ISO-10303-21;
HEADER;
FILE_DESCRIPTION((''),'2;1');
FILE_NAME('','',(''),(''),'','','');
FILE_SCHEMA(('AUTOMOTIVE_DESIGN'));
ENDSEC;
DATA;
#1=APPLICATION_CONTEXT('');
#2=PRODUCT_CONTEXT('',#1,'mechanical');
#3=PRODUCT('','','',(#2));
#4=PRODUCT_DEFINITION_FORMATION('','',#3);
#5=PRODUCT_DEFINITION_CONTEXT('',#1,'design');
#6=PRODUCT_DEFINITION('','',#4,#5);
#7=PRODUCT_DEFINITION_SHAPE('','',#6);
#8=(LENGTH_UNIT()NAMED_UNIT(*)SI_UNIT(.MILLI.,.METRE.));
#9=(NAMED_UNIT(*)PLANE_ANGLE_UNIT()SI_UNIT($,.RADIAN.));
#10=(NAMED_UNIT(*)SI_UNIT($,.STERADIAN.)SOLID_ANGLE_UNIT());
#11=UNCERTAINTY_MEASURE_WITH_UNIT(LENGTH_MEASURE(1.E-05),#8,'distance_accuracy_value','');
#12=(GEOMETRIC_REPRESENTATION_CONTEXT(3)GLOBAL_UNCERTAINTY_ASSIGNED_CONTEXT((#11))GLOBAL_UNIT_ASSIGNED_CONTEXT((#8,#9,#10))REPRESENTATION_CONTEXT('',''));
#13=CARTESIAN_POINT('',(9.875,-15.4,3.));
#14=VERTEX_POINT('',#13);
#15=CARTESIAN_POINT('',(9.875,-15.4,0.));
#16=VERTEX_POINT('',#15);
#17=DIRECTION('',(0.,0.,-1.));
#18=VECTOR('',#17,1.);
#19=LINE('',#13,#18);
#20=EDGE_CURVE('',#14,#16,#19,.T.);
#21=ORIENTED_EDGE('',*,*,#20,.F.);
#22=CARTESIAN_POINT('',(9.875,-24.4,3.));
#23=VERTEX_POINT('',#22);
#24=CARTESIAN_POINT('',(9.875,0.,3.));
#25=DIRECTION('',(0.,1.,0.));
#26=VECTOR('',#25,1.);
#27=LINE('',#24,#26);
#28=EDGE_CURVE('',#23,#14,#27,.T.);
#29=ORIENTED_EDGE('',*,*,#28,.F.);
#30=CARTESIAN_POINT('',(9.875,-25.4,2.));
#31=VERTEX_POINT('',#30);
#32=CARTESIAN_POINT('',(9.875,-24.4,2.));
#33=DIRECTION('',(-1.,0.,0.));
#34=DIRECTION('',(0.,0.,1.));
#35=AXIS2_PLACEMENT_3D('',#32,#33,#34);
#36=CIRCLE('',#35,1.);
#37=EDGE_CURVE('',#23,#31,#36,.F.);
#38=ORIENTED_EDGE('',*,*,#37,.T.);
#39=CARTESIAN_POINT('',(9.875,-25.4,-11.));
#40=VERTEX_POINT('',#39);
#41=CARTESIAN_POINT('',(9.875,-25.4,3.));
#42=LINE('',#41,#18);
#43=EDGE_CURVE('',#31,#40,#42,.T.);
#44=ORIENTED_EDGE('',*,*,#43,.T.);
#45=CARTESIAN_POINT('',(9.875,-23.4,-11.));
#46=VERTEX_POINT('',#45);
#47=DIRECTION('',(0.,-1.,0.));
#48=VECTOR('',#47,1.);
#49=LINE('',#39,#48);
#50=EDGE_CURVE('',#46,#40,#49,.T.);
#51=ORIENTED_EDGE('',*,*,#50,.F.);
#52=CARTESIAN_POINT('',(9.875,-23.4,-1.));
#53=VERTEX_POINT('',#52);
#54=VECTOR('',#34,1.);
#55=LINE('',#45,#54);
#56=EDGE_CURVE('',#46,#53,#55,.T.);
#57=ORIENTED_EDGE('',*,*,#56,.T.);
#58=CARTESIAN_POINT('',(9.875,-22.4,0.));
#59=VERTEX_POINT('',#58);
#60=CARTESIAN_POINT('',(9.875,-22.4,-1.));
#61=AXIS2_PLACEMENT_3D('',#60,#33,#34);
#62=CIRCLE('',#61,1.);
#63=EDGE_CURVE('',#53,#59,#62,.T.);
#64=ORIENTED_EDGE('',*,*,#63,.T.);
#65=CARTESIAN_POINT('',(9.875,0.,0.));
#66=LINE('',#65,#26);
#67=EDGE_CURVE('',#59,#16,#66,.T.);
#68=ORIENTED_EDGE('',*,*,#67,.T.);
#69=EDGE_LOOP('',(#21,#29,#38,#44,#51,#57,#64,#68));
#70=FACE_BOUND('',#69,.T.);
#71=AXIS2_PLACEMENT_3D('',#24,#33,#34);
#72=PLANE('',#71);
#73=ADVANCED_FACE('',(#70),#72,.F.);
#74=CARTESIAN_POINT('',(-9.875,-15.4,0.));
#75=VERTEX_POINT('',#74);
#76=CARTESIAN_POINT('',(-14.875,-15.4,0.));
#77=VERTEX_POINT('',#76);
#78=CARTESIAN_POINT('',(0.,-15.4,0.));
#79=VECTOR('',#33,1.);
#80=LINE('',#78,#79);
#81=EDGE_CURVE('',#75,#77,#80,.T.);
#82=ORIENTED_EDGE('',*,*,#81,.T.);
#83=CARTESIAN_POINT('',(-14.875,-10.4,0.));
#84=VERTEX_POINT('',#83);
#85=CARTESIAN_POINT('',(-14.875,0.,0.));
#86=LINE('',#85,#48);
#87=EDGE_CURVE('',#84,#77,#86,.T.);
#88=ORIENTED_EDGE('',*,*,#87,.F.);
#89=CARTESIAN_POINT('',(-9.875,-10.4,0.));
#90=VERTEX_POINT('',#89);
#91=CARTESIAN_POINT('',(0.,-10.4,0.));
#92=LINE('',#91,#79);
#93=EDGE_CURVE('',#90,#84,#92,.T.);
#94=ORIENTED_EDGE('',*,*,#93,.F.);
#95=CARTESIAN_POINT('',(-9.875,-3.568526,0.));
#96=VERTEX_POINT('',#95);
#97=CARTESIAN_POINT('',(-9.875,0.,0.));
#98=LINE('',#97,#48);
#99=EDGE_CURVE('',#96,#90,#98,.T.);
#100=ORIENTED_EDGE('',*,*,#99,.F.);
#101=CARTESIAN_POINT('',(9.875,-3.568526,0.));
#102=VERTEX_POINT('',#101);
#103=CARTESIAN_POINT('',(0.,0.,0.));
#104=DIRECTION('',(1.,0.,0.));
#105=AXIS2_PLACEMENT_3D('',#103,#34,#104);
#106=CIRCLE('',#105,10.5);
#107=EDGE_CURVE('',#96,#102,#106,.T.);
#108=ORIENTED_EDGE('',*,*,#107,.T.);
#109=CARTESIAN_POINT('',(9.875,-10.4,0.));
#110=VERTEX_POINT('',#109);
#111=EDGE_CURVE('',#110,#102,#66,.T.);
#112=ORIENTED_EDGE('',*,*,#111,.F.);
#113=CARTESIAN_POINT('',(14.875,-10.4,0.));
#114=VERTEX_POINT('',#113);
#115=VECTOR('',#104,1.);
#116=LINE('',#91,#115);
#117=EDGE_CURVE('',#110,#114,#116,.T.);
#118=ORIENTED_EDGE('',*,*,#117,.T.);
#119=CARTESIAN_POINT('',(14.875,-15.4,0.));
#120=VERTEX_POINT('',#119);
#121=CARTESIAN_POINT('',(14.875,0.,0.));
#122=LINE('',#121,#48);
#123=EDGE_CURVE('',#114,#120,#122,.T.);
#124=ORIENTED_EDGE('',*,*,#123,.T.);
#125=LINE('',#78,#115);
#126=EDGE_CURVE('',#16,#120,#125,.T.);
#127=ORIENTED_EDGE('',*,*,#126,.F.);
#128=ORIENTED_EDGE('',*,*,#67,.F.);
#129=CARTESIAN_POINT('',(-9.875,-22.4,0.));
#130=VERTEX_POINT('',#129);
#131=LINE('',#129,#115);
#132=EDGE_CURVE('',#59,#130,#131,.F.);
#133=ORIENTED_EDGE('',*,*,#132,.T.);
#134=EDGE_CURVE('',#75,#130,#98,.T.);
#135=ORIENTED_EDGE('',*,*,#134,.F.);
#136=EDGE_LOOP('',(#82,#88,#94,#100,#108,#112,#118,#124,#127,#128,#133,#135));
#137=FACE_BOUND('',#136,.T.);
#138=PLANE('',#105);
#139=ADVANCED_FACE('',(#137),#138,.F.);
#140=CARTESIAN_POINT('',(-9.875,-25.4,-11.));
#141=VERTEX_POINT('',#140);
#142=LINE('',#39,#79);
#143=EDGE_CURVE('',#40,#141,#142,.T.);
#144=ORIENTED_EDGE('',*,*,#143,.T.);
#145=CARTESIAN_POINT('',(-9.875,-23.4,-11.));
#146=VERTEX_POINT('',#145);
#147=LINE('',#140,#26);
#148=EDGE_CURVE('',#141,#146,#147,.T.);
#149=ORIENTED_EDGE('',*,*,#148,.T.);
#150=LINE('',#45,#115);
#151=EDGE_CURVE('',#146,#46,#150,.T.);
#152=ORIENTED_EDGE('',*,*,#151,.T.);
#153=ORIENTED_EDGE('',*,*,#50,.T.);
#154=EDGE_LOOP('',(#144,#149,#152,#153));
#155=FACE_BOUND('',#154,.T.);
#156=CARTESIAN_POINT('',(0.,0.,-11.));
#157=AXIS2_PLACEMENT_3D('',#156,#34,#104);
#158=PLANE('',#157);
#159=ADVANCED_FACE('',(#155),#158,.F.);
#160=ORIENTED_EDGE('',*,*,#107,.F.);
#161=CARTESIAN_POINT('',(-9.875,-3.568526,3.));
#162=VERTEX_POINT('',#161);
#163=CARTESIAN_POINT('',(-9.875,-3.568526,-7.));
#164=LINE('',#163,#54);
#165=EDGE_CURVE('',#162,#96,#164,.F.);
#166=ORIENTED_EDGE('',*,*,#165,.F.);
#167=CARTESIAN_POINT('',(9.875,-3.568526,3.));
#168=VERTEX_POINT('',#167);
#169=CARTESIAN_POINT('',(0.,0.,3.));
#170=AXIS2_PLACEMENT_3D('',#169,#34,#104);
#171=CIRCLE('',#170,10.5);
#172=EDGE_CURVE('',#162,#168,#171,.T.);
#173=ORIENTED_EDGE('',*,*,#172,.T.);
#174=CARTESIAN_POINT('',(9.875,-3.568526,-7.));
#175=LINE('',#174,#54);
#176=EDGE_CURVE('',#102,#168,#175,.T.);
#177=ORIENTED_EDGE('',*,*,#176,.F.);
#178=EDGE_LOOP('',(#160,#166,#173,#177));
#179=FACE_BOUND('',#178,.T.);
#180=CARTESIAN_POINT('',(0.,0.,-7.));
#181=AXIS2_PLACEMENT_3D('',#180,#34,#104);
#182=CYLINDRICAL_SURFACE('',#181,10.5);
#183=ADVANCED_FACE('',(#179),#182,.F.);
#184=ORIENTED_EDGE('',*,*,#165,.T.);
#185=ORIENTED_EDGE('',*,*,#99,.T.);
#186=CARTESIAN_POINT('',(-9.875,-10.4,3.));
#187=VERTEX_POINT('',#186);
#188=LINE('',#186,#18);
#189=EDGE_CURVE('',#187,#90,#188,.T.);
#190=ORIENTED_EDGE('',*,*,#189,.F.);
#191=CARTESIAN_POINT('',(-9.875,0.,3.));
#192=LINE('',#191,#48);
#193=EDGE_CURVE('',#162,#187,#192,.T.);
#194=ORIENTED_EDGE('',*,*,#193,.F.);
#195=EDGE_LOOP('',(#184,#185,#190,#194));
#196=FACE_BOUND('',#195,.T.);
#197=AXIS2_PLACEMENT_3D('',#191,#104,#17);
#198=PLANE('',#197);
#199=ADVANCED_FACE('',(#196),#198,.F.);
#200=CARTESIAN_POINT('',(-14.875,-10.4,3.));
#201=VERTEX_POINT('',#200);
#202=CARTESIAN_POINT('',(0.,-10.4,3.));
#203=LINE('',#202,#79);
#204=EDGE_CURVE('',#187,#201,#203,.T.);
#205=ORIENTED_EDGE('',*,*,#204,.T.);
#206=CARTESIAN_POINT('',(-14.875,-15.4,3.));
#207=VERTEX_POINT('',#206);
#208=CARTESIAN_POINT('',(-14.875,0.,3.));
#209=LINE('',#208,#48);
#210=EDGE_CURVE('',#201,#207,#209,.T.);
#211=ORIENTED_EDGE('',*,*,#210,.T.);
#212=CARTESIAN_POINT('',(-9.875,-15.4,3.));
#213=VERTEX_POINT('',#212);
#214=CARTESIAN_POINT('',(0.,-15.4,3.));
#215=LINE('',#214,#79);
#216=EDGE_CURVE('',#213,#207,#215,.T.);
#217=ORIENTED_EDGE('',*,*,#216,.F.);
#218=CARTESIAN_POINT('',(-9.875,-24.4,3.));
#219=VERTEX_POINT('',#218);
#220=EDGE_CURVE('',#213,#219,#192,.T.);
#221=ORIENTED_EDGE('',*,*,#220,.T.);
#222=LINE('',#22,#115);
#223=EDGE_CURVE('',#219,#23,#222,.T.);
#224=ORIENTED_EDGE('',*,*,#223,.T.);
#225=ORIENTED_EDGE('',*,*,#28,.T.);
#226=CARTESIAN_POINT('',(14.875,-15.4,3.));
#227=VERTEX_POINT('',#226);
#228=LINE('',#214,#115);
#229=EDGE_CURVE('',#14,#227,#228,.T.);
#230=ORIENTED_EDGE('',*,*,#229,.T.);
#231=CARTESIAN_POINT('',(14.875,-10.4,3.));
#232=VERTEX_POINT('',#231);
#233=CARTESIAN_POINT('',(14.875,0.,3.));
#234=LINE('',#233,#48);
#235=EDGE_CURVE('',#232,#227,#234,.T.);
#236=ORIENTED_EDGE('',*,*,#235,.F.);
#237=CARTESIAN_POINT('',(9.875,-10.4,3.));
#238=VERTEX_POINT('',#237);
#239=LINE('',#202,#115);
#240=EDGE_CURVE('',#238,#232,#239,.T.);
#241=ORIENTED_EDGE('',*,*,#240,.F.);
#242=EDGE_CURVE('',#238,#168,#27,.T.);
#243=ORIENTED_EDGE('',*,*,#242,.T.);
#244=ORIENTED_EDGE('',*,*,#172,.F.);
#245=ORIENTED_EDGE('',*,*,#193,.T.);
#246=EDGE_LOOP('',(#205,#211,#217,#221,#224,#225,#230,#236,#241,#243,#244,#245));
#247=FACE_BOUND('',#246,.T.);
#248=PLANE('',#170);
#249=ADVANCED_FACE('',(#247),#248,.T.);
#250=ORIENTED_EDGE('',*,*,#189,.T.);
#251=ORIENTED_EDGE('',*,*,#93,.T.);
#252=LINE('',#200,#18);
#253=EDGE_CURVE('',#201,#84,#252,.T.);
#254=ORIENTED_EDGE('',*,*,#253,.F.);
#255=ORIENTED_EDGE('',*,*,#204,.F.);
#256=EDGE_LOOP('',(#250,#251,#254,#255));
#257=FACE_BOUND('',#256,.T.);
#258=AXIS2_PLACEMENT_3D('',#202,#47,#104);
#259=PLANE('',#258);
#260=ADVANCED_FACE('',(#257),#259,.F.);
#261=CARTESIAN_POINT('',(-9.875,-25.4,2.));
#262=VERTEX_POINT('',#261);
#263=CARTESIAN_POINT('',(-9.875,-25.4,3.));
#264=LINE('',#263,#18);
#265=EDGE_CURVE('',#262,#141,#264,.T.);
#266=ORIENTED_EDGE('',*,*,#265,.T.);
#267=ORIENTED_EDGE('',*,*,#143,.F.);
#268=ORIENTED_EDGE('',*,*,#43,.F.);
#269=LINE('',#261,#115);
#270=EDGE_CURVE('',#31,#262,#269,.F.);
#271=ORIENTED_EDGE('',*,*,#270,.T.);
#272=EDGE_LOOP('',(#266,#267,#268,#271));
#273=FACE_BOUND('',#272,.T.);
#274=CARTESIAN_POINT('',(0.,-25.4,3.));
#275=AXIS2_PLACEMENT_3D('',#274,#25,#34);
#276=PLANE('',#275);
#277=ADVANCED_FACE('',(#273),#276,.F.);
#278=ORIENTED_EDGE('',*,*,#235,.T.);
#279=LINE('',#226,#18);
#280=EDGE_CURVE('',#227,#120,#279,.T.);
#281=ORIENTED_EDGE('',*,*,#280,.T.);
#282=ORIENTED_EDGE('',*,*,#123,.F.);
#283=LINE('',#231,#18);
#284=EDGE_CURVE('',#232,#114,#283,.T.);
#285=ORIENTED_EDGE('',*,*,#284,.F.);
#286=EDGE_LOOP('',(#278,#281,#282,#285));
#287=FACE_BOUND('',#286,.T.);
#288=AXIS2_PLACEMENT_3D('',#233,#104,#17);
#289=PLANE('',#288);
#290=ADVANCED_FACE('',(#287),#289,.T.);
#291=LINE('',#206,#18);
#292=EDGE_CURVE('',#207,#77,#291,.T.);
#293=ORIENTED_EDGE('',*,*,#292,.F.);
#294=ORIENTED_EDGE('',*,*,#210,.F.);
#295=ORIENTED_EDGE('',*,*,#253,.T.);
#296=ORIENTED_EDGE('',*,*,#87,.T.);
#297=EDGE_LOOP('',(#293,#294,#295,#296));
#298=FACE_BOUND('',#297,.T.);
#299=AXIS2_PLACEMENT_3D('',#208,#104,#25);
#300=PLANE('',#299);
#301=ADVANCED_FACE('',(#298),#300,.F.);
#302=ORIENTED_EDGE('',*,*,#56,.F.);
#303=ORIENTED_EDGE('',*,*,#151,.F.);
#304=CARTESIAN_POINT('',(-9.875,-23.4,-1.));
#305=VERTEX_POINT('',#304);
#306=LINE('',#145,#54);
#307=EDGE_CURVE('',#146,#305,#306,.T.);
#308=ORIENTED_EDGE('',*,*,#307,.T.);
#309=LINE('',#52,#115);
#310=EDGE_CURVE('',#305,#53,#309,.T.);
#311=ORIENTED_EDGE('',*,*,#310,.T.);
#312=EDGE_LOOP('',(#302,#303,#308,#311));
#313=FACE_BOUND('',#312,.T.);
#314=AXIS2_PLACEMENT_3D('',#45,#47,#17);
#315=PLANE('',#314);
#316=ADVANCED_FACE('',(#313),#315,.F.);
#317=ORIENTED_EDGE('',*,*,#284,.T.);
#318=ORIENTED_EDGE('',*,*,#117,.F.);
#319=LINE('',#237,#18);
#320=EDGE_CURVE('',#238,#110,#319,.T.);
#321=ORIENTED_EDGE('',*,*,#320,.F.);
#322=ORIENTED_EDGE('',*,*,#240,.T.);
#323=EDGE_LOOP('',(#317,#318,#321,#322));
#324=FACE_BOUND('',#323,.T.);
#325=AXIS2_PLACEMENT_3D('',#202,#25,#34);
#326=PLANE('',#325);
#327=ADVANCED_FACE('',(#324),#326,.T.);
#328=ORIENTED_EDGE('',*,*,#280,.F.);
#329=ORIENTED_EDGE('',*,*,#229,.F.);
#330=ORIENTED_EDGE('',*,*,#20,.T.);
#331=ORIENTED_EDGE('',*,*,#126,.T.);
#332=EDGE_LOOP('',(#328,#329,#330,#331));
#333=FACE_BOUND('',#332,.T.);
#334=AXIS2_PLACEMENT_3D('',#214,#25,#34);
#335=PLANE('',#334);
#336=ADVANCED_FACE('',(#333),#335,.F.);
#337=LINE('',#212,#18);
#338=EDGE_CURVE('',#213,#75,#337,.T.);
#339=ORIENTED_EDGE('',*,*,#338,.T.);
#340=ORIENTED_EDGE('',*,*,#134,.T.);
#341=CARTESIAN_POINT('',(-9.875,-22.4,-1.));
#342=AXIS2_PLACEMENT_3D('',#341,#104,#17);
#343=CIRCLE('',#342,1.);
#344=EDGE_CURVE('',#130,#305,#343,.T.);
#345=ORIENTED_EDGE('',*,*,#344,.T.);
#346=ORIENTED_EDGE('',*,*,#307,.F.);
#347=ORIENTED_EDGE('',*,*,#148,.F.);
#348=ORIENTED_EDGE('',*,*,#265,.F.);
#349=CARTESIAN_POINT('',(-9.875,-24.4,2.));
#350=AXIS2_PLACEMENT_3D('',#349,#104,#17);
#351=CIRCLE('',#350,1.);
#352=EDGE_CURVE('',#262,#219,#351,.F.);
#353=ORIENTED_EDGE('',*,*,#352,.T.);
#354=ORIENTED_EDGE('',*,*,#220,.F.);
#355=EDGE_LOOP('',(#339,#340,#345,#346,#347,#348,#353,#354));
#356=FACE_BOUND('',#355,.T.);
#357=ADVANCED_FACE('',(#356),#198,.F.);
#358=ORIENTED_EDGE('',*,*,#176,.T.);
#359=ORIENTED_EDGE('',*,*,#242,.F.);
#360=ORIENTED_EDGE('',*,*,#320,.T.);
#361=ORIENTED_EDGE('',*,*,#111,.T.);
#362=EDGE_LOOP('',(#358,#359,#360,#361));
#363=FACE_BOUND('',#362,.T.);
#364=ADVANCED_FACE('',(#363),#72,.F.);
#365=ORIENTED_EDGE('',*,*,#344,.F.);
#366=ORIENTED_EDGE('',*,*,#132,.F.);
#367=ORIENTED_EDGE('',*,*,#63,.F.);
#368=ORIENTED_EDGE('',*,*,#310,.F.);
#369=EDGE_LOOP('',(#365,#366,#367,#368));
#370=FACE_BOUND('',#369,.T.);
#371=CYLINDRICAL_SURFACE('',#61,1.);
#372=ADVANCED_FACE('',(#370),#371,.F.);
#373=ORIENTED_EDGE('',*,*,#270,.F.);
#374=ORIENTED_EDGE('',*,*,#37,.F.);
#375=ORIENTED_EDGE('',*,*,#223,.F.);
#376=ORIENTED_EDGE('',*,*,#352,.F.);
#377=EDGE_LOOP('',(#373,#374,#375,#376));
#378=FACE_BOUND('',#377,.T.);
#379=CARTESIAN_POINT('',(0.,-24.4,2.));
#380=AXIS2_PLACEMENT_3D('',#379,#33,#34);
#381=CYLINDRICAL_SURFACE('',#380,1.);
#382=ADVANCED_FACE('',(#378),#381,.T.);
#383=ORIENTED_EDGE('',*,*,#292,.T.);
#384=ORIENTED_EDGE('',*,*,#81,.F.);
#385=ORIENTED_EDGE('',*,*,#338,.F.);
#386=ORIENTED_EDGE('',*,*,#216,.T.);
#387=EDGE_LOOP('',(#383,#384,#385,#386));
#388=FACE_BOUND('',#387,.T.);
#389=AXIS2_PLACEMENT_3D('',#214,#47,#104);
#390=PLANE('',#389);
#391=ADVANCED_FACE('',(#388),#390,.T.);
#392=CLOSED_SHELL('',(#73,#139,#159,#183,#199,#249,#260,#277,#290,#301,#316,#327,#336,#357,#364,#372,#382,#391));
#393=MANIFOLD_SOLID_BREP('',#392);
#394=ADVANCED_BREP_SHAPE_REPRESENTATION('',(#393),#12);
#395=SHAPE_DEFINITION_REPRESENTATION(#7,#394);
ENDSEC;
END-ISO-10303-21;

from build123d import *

# Parameters (mm, degrees)
CROQUIS1_R              = 9.875
CROQUIS1_W              = 5
CROQUIS1_H              = 5
SALIENTE_EXTRUIR1_DEPTH = 3
REDONDEO1_R             = 1
CROQUIS2_R              = 10.5
CORTAR_EXTRUIR1_DEPTH   = 10
CROQUIS3_W              = 19.75
CROQUIS3_H              = 2
SALIENTE_EXTRUIR2_DEPTH = 11
REDONDEO2_R             = 1


with BuildPart() as part:
    # Croquis1 → Saliente-Extruir1 (new body)
    with BuildSketch(Plane.XY):
        Circle(CROQUIS1_R)
        with BuildLine():
            ThreePointArc((9.875, 0), (0, -9.875), (-9.875, 0))
            Line((-9.875, 0), (-9.875, -10.4))
            Line((-9.875, -10.4), (-9.875, -15.4))
            Line((-9.875, -15.4), (-9.875, -25.4))
            Line((-9.875, -25.4), (9.875, -25.4))
            Line((9.875, -25.4), (9.875, -15.4))
            Line((9.875, -15.4), (9.875, -10.4))
            Line((9.875, -10.4), (9.875, 0))
        make_face()
        with Locations((12.375, -12.9)):
            Rectangle(CROQUIS1_W, CROQUIS1_H)
        with Locations((-12.375, -12.9)):
            Rectangle(CROQUIS1_W, CROQUIS1_H)
    extrude(amount=SALIENTE_EXTRUIR1_DEPTH)

    # Redondeo1
    redondeo1_edges = [part.edges().sort_by_distance(p)[0] for p in [
        (0, -25.4, 3),
    ]]
    fillet(redondeo1_edges, radius=REDONDEO1_R)

    # Croquis2 → Cortar-Extruir1 (cut)
    with BuildSketch(Plane.XY.offset(3)):
        Circle(CROQUIS2_R)
    extrude(amount=-CORTAR_EXTRUIR1_DEPTH, mode=Mode.SUBTRACT)

    # Croquis3 → Saliente-Extruir2 (add)
    with BuildSketch(Plane(origin=(0, 0, 0), x_dir=(-1, 0, 0), z_dir=(0, 0, -1))):
        with Locations((0, -24.4)):
            Rectangle(CROQUIS3_W, CROQUIS3_H)
    extrude(amount=SALIENTE_EXTRUIR2_DEPTH)

    # Redondeo2
    redondeo2_edges = [part.edges().sort_by_distance(p)[0] for p in [
        (0, -23.4, 0),
    ]]
    fillet(redondeo2_edges, radius=REDONDEO2_R)


solid = part.part
